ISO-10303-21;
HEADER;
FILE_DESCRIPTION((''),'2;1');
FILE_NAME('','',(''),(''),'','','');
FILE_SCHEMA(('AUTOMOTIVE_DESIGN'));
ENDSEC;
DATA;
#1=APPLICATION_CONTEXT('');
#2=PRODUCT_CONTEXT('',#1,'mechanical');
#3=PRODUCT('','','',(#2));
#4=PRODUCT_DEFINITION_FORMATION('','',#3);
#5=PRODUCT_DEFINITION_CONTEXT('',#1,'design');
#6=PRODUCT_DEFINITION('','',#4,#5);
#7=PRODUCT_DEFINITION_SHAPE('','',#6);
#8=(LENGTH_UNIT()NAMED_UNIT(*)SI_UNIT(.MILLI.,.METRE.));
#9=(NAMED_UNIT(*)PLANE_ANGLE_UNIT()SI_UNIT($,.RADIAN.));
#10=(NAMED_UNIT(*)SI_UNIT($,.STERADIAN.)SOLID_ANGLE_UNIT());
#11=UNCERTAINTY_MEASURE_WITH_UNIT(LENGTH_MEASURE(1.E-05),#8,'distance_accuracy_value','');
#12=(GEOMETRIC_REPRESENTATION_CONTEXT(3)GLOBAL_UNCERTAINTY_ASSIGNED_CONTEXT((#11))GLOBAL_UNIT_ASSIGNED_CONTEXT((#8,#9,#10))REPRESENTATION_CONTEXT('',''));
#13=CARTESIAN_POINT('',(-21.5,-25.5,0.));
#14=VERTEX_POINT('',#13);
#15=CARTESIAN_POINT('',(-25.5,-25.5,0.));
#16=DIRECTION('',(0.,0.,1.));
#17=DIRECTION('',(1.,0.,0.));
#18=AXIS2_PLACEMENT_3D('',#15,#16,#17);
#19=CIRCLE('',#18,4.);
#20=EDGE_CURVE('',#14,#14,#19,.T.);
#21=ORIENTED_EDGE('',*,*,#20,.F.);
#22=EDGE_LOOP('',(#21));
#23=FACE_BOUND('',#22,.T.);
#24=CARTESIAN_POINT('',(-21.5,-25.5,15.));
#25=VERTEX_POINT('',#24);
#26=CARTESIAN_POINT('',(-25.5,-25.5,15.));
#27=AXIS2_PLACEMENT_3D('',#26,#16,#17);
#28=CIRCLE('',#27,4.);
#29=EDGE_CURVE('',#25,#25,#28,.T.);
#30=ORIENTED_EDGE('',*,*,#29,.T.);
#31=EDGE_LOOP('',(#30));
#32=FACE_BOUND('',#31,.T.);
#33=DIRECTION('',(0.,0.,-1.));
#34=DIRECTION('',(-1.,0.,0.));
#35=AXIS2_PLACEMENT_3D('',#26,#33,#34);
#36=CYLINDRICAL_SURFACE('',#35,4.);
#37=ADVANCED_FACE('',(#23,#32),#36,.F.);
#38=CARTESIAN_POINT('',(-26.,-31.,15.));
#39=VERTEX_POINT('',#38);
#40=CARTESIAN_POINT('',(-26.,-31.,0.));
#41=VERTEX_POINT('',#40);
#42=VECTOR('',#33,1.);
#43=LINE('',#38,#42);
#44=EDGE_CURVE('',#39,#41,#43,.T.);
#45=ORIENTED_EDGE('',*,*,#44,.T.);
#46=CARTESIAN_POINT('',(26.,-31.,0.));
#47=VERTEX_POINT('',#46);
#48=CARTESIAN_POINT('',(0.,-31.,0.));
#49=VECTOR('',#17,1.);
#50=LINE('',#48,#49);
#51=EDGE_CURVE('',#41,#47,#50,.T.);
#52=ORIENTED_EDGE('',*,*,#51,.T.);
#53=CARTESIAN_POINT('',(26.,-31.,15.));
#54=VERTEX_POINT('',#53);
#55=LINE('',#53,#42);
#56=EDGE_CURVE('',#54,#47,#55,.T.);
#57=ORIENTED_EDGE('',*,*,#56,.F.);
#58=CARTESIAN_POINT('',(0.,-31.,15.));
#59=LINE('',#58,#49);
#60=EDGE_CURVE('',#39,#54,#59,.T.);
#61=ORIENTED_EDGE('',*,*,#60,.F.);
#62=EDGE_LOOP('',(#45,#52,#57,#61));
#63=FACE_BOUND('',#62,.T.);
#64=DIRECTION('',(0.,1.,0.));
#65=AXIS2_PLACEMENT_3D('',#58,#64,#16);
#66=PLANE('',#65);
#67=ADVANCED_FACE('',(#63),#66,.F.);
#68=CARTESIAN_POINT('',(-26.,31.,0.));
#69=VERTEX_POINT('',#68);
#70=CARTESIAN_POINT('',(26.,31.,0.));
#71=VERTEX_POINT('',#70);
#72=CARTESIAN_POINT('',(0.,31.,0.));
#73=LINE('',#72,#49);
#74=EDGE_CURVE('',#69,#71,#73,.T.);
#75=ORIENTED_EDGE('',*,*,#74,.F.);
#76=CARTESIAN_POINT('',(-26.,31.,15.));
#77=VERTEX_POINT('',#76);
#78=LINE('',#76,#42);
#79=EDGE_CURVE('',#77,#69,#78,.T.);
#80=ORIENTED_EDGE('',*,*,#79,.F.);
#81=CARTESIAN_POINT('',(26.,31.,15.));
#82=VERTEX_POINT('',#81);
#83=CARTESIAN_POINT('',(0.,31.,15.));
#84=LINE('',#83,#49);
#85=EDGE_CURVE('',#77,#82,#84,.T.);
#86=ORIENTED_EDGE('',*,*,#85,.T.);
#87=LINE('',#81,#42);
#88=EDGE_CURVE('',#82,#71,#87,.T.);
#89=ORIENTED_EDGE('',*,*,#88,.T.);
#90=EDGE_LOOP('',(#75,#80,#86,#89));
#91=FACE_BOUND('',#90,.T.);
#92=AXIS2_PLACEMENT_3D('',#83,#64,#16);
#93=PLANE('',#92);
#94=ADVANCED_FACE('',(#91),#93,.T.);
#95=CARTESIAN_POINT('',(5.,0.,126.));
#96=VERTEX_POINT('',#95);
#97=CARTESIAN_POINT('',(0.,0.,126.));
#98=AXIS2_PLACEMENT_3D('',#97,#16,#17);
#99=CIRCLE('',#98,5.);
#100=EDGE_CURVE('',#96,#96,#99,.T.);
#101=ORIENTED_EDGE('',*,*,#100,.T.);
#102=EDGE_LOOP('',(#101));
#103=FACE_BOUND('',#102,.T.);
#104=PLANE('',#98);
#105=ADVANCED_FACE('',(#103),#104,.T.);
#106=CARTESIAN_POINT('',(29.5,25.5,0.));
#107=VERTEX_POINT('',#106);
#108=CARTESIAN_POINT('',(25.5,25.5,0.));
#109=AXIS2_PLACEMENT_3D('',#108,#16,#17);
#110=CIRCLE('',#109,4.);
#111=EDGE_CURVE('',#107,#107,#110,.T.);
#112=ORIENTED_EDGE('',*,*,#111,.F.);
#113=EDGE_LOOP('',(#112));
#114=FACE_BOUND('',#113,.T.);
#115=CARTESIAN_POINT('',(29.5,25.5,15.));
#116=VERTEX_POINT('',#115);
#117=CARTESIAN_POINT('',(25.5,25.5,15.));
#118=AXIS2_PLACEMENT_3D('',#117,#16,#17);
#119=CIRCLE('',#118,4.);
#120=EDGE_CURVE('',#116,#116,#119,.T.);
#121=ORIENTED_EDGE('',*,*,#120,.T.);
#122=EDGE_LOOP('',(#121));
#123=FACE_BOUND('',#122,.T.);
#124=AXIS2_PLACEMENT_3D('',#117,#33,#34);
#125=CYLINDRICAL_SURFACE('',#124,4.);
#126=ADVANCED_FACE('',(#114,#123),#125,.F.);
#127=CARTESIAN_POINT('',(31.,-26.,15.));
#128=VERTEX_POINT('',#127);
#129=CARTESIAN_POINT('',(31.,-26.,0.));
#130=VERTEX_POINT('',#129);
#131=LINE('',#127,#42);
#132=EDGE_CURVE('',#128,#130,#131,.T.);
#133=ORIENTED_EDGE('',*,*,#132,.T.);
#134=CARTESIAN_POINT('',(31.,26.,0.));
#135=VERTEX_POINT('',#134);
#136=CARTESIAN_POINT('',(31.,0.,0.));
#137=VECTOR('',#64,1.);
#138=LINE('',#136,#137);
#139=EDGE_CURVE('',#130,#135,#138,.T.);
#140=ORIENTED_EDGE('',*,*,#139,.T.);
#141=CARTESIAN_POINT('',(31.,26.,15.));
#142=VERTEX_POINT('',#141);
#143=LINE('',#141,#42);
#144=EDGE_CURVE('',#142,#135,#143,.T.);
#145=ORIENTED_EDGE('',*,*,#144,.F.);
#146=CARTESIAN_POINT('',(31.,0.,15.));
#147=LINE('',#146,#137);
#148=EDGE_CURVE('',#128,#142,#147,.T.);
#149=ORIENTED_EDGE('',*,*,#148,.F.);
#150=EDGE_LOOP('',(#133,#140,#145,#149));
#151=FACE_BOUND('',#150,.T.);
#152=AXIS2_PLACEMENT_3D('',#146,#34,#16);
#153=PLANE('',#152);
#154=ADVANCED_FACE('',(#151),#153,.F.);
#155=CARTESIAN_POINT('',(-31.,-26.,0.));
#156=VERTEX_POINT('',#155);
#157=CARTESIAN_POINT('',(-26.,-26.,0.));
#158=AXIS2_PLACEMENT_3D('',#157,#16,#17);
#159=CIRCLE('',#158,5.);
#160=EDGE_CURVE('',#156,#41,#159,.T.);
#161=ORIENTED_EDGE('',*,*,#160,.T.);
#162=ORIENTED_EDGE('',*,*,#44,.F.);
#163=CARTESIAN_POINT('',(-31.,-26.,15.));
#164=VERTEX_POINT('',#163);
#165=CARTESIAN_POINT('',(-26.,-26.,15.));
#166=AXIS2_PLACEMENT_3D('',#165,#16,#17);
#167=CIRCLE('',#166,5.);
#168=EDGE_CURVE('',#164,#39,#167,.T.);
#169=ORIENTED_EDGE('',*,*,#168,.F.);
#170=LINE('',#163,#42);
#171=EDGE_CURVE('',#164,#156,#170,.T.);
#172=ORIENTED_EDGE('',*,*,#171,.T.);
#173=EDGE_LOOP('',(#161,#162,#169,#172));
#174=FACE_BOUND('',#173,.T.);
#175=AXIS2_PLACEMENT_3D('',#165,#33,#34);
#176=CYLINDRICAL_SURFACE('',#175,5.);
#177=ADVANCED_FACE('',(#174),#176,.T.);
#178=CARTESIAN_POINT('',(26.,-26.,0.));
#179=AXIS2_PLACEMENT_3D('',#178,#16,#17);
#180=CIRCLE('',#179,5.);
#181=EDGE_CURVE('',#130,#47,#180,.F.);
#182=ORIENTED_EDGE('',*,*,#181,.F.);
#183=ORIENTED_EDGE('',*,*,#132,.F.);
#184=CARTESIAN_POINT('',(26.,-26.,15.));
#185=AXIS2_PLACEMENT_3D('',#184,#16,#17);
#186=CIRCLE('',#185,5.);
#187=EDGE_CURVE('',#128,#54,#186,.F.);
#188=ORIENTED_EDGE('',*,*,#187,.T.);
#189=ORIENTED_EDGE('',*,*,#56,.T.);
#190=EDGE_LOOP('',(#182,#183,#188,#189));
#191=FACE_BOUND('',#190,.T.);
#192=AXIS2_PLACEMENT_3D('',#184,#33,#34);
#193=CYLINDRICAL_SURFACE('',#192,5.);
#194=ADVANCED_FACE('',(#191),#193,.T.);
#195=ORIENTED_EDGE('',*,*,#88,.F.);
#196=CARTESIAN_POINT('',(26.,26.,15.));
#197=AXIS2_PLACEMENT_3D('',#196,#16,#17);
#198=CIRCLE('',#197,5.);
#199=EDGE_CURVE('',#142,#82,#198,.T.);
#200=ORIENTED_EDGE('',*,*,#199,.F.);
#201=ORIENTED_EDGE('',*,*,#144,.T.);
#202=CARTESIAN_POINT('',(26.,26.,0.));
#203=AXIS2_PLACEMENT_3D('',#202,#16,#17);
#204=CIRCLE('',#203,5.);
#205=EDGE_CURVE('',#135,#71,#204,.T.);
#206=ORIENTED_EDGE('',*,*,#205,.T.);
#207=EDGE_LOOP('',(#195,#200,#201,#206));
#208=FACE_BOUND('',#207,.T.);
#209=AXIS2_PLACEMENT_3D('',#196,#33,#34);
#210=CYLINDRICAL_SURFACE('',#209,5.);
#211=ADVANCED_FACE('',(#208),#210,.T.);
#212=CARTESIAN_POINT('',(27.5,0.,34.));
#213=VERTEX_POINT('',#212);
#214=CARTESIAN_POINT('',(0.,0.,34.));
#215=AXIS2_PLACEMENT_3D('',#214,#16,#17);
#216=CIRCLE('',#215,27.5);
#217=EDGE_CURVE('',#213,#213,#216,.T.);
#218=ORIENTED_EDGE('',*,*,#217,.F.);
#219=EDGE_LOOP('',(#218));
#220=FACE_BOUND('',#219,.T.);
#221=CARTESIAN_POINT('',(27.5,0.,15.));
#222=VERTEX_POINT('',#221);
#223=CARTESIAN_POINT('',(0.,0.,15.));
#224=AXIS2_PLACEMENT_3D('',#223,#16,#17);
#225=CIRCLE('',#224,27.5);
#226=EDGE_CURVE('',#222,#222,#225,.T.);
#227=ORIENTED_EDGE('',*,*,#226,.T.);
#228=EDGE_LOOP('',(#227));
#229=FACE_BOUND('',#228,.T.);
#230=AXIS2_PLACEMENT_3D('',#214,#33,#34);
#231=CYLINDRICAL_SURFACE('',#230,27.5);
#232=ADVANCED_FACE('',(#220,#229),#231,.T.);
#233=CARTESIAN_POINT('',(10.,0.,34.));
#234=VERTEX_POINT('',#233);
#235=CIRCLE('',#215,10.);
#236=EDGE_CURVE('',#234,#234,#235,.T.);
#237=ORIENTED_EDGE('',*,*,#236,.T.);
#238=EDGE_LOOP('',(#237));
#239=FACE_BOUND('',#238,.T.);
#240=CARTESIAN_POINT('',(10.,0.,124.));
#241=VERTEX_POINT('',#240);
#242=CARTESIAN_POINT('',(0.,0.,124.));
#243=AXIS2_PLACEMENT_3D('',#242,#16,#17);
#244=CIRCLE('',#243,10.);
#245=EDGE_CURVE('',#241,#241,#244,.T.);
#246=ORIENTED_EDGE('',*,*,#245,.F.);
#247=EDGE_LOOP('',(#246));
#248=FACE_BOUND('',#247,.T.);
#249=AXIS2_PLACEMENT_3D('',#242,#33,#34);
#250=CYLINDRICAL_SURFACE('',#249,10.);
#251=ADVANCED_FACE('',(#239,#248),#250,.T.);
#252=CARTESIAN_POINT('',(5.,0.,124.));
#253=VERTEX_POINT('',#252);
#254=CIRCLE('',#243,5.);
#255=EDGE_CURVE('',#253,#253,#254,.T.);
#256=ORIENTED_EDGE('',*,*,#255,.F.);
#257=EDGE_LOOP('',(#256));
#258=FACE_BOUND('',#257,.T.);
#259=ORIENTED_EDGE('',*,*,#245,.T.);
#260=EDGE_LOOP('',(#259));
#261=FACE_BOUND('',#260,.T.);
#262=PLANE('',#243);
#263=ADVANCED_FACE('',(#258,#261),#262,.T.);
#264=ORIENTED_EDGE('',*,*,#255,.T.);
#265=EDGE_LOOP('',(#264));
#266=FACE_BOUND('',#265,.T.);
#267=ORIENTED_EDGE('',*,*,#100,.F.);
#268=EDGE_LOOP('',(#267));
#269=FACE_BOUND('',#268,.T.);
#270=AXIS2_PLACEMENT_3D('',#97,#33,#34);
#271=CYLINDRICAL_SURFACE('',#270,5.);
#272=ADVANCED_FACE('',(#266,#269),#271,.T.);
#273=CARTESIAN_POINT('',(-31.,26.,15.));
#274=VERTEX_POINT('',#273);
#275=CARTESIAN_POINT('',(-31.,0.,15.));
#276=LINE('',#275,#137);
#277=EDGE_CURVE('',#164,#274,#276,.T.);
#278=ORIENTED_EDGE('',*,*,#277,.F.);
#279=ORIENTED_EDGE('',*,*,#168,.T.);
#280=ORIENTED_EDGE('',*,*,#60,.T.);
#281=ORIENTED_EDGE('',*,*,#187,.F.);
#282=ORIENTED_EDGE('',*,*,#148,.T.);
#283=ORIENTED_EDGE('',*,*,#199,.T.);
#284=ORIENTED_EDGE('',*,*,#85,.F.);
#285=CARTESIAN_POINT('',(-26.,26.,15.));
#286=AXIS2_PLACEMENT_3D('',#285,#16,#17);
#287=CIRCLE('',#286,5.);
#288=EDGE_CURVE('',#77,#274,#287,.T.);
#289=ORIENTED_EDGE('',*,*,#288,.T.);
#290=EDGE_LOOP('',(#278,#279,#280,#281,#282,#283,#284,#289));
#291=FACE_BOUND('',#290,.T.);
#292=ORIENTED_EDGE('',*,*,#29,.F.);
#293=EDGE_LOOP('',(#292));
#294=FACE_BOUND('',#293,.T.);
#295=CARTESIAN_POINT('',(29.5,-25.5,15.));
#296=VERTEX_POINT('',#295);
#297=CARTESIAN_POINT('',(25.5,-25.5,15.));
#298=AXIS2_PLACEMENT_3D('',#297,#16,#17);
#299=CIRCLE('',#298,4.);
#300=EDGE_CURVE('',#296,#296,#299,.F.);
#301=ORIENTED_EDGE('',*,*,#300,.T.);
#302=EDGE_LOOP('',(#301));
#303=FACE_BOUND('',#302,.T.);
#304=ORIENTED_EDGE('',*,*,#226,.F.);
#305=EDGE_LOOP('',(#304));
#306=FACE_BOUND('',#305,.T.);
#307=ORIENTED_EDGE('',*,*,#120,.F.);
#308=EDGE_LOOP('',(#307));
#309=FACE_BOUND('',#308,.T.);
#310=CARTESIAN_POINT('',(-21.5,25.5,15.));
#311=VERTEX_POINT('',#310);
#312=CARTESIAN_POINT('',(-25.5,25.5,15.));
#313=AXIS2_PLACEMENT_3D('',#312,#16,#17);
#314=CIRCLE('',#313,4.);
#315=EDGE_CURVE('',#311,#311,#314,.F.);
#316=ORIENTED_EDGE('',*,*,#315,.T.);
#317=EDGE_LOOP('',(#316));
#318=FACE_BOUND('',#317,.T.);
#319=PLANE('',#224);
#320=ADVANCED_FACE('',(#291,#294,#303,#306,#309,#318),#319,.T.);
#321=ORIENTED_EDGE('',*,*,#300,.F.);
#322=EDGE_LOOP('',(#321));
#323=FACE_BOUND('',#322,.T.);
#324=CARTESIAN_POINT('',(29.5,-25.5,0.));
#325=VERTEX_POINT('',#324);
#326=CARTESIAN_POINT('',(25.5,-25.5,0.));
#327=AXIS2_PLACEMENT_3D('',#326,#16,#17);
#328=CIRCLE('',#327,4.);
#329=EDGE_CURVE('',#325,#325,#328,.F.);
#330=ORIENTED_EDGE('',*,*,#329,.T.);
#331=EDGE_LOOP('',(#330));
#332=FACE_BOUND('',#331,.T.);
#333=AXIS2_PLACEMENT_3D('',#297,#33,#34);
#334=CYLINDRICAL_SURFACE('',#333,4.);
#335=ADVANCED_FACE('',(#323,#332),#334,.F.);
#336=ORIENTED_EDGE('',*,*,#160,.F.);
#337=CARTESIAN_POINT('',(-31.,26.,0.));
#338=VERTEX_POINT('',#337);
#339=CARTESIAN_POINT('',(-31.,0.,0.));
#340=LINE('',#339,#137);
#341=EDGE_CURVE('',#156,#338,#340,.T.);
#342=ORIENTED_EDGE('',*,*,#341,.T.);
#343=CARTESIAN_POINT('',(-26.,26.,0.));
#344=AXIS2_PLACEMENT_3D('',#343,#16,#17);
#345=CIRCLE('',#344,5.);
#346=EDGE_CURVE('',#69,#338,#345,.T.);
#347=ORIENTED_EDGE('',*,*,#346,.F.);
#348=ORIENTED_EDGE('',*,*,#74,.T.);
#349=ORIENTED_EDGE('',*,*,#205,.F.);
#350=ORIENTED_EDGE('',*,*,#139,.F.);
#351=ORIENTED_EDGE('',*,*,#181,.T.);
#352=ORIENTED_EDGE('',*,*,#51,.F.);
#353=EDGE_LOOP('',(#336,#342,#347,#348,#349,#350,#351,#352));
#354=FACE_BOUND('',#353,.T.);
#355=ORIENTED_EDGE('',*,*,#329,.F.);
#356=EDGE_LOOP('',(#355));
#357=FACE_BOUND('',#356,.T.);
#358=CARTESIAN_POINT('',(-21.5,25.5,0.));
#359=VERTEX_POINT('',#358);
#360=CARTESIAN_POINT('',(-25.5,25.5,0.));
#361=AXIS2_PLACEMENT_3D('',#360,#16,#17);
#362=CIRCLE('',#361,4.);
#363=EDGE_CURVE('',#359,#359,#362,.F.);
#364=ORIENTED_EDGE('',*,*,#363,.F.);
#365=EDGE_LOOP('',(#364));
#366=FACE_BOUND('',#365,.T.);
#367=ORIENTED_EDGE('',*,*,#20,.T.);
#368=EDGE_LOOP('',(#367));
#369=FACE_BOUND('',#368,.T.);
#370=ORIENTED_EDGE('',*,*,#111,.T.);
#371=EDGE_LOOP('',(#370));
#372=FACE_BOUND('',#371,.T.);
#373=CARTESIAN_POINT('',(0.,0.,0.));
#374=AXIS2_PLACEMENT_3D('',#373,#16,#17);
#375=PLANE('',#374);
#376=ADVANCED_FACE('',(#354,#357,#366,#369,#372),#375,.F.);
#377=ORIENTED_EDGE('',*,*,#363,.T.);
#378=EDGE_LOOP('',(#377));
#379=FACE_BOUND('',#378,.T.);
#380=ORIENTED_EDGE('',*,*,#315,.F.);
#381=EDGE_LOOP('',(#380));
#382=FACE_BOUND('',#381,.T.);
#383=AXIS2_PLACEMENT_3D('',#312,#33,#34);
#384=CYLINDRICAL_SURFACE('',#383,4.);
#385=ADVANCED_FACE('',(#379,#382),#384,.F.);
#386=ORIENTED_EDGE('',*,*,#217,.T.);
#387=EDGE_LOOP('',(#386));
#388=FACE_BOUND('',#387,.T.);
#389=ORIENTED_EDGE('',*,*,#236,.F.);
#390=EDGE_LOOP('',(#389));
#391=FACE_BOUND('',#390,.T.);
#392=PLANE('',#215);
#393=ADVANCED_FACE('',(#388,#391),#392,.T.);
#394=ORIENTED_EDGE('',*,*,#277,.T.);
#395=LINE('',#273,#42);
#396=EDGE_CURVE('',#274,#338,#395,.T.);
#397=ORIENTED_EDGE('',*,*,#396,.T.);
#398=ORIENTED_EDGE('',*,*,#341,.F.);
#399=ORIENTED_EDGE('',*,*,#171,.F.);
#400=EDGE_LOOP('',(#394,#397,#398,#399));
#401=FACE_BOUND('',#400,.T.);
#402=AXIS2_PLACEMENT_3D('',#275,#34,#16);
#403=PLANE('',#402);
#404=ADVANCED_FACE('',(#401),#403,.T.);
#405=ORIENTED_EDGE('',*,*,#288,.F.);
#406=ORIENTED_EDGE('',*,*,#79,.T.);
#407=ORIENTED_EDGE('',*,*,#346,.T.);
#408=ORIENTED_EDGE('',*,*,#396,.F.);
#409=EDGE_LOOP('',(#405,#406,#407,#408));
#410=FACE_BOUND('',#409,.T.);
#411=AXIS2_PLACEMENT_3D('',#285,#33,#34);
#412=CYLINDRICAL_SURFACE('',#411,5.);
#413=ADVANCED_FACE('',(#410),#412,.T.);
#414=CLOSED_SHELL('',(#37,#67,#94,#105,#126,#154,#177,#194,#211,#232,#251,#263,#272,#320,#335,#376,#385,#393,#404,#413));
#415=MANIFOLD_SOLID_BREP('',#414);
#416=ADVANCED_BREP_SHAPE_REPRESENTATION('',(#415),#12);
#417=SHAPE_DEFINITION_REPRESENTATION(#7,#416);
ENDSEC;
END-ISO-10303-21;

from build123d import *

# Parameters (mm, degrees)
SKETCH1_R           = 27.5
SKETCH1_R_2         = 4
BOSS_EXTRUDE1_DEPTH = 15
SKETCH1_3_R         = 27.5
SKETCH1_3_R_2       = 10
BOSS_EXTRUDE2_DEPTH = 34
SKETCH1_4_R         = 10
BOSS_EXTRUDE3_DEPTH = 124
BOSS_EXTRUDE4_START = 124
SKETCH1_5_R         = 5
BOSS_EXTRUDE4_DEPTH = 2


with BuildPart() as part:
    # Sketch1 → Boss-Extrude1 (new body)
    with BuildSketch(Plane.XY):
        with BuildLine():
            Line((-26, 31), (26, 31))
            ThreePointArc((26, 31), (29.535533906, 29.535533906), (31, 26))
            Line((31, 26), (31, -26))
            ThreePointArc((31, -26), (29.535533906, -29.535533906), (26, -31))
            Line((26, -31), (-26, -31))
            ThreePointArc((-26, -31), (-29.535533906, -29.535533906), (-31, -26))
            Line((-31, -26), (-31, 26))
            ThreePointArc((-31, 26), (-29.535533906, 29.535533906), (-26, 31))
        make_face()
        Circle(SKETCH1_R, mode=Mode.SUBTRACT)
        with Locations((-25.5, 25.5)):
            Circle(SKETCH1_R_2, mode=Mode.SUBTRACT)
        with Locations((25.5, 25.5)):
            Circle(SKETCH1_R_2, mode=Mode.SUBTRACT)
        with Locations((-25.5, -25.5)):
            Circle(SKETCH1_R_2, mode=Mode.SUBTRACT)
        with Locations((25.5, -25.5)):
            Circle(SKETCH1_R_2, mode=Mode.SUBTRACT)
    extrude(amount=BOSS_EXTRUDE1_DEPTH)

    # Sketch1<3> → Boss-Extrude2 (add)
    with BuildSketch(Plane.XY):
        Circle(SKETCH1_3_R)
        Circle(SKETCH1_3_R_2, mode=Mode.SUBTRACT)
    extrude(amount=BOSS_EXTRUDE2_DEPTH)

    # Sketch1<4> → Boss-Extrude3 (add)
    with BuildSketch(Plane.XY):
        Circle(SKETCH1_4_R)
    extrude(amount=BOSS_EXTRUDE3_DEPTH)

    # Sketch1<5> → Boss-Extrude4 (add)
    with BuildSketch(Plane.XY.offset(BOSS_EXTRUDE4_START)):
        Circle(SKETCH1_5_R)
    extrude(amount=BOSS_EXTRUDE4_DEPTH)


solid = part.part
